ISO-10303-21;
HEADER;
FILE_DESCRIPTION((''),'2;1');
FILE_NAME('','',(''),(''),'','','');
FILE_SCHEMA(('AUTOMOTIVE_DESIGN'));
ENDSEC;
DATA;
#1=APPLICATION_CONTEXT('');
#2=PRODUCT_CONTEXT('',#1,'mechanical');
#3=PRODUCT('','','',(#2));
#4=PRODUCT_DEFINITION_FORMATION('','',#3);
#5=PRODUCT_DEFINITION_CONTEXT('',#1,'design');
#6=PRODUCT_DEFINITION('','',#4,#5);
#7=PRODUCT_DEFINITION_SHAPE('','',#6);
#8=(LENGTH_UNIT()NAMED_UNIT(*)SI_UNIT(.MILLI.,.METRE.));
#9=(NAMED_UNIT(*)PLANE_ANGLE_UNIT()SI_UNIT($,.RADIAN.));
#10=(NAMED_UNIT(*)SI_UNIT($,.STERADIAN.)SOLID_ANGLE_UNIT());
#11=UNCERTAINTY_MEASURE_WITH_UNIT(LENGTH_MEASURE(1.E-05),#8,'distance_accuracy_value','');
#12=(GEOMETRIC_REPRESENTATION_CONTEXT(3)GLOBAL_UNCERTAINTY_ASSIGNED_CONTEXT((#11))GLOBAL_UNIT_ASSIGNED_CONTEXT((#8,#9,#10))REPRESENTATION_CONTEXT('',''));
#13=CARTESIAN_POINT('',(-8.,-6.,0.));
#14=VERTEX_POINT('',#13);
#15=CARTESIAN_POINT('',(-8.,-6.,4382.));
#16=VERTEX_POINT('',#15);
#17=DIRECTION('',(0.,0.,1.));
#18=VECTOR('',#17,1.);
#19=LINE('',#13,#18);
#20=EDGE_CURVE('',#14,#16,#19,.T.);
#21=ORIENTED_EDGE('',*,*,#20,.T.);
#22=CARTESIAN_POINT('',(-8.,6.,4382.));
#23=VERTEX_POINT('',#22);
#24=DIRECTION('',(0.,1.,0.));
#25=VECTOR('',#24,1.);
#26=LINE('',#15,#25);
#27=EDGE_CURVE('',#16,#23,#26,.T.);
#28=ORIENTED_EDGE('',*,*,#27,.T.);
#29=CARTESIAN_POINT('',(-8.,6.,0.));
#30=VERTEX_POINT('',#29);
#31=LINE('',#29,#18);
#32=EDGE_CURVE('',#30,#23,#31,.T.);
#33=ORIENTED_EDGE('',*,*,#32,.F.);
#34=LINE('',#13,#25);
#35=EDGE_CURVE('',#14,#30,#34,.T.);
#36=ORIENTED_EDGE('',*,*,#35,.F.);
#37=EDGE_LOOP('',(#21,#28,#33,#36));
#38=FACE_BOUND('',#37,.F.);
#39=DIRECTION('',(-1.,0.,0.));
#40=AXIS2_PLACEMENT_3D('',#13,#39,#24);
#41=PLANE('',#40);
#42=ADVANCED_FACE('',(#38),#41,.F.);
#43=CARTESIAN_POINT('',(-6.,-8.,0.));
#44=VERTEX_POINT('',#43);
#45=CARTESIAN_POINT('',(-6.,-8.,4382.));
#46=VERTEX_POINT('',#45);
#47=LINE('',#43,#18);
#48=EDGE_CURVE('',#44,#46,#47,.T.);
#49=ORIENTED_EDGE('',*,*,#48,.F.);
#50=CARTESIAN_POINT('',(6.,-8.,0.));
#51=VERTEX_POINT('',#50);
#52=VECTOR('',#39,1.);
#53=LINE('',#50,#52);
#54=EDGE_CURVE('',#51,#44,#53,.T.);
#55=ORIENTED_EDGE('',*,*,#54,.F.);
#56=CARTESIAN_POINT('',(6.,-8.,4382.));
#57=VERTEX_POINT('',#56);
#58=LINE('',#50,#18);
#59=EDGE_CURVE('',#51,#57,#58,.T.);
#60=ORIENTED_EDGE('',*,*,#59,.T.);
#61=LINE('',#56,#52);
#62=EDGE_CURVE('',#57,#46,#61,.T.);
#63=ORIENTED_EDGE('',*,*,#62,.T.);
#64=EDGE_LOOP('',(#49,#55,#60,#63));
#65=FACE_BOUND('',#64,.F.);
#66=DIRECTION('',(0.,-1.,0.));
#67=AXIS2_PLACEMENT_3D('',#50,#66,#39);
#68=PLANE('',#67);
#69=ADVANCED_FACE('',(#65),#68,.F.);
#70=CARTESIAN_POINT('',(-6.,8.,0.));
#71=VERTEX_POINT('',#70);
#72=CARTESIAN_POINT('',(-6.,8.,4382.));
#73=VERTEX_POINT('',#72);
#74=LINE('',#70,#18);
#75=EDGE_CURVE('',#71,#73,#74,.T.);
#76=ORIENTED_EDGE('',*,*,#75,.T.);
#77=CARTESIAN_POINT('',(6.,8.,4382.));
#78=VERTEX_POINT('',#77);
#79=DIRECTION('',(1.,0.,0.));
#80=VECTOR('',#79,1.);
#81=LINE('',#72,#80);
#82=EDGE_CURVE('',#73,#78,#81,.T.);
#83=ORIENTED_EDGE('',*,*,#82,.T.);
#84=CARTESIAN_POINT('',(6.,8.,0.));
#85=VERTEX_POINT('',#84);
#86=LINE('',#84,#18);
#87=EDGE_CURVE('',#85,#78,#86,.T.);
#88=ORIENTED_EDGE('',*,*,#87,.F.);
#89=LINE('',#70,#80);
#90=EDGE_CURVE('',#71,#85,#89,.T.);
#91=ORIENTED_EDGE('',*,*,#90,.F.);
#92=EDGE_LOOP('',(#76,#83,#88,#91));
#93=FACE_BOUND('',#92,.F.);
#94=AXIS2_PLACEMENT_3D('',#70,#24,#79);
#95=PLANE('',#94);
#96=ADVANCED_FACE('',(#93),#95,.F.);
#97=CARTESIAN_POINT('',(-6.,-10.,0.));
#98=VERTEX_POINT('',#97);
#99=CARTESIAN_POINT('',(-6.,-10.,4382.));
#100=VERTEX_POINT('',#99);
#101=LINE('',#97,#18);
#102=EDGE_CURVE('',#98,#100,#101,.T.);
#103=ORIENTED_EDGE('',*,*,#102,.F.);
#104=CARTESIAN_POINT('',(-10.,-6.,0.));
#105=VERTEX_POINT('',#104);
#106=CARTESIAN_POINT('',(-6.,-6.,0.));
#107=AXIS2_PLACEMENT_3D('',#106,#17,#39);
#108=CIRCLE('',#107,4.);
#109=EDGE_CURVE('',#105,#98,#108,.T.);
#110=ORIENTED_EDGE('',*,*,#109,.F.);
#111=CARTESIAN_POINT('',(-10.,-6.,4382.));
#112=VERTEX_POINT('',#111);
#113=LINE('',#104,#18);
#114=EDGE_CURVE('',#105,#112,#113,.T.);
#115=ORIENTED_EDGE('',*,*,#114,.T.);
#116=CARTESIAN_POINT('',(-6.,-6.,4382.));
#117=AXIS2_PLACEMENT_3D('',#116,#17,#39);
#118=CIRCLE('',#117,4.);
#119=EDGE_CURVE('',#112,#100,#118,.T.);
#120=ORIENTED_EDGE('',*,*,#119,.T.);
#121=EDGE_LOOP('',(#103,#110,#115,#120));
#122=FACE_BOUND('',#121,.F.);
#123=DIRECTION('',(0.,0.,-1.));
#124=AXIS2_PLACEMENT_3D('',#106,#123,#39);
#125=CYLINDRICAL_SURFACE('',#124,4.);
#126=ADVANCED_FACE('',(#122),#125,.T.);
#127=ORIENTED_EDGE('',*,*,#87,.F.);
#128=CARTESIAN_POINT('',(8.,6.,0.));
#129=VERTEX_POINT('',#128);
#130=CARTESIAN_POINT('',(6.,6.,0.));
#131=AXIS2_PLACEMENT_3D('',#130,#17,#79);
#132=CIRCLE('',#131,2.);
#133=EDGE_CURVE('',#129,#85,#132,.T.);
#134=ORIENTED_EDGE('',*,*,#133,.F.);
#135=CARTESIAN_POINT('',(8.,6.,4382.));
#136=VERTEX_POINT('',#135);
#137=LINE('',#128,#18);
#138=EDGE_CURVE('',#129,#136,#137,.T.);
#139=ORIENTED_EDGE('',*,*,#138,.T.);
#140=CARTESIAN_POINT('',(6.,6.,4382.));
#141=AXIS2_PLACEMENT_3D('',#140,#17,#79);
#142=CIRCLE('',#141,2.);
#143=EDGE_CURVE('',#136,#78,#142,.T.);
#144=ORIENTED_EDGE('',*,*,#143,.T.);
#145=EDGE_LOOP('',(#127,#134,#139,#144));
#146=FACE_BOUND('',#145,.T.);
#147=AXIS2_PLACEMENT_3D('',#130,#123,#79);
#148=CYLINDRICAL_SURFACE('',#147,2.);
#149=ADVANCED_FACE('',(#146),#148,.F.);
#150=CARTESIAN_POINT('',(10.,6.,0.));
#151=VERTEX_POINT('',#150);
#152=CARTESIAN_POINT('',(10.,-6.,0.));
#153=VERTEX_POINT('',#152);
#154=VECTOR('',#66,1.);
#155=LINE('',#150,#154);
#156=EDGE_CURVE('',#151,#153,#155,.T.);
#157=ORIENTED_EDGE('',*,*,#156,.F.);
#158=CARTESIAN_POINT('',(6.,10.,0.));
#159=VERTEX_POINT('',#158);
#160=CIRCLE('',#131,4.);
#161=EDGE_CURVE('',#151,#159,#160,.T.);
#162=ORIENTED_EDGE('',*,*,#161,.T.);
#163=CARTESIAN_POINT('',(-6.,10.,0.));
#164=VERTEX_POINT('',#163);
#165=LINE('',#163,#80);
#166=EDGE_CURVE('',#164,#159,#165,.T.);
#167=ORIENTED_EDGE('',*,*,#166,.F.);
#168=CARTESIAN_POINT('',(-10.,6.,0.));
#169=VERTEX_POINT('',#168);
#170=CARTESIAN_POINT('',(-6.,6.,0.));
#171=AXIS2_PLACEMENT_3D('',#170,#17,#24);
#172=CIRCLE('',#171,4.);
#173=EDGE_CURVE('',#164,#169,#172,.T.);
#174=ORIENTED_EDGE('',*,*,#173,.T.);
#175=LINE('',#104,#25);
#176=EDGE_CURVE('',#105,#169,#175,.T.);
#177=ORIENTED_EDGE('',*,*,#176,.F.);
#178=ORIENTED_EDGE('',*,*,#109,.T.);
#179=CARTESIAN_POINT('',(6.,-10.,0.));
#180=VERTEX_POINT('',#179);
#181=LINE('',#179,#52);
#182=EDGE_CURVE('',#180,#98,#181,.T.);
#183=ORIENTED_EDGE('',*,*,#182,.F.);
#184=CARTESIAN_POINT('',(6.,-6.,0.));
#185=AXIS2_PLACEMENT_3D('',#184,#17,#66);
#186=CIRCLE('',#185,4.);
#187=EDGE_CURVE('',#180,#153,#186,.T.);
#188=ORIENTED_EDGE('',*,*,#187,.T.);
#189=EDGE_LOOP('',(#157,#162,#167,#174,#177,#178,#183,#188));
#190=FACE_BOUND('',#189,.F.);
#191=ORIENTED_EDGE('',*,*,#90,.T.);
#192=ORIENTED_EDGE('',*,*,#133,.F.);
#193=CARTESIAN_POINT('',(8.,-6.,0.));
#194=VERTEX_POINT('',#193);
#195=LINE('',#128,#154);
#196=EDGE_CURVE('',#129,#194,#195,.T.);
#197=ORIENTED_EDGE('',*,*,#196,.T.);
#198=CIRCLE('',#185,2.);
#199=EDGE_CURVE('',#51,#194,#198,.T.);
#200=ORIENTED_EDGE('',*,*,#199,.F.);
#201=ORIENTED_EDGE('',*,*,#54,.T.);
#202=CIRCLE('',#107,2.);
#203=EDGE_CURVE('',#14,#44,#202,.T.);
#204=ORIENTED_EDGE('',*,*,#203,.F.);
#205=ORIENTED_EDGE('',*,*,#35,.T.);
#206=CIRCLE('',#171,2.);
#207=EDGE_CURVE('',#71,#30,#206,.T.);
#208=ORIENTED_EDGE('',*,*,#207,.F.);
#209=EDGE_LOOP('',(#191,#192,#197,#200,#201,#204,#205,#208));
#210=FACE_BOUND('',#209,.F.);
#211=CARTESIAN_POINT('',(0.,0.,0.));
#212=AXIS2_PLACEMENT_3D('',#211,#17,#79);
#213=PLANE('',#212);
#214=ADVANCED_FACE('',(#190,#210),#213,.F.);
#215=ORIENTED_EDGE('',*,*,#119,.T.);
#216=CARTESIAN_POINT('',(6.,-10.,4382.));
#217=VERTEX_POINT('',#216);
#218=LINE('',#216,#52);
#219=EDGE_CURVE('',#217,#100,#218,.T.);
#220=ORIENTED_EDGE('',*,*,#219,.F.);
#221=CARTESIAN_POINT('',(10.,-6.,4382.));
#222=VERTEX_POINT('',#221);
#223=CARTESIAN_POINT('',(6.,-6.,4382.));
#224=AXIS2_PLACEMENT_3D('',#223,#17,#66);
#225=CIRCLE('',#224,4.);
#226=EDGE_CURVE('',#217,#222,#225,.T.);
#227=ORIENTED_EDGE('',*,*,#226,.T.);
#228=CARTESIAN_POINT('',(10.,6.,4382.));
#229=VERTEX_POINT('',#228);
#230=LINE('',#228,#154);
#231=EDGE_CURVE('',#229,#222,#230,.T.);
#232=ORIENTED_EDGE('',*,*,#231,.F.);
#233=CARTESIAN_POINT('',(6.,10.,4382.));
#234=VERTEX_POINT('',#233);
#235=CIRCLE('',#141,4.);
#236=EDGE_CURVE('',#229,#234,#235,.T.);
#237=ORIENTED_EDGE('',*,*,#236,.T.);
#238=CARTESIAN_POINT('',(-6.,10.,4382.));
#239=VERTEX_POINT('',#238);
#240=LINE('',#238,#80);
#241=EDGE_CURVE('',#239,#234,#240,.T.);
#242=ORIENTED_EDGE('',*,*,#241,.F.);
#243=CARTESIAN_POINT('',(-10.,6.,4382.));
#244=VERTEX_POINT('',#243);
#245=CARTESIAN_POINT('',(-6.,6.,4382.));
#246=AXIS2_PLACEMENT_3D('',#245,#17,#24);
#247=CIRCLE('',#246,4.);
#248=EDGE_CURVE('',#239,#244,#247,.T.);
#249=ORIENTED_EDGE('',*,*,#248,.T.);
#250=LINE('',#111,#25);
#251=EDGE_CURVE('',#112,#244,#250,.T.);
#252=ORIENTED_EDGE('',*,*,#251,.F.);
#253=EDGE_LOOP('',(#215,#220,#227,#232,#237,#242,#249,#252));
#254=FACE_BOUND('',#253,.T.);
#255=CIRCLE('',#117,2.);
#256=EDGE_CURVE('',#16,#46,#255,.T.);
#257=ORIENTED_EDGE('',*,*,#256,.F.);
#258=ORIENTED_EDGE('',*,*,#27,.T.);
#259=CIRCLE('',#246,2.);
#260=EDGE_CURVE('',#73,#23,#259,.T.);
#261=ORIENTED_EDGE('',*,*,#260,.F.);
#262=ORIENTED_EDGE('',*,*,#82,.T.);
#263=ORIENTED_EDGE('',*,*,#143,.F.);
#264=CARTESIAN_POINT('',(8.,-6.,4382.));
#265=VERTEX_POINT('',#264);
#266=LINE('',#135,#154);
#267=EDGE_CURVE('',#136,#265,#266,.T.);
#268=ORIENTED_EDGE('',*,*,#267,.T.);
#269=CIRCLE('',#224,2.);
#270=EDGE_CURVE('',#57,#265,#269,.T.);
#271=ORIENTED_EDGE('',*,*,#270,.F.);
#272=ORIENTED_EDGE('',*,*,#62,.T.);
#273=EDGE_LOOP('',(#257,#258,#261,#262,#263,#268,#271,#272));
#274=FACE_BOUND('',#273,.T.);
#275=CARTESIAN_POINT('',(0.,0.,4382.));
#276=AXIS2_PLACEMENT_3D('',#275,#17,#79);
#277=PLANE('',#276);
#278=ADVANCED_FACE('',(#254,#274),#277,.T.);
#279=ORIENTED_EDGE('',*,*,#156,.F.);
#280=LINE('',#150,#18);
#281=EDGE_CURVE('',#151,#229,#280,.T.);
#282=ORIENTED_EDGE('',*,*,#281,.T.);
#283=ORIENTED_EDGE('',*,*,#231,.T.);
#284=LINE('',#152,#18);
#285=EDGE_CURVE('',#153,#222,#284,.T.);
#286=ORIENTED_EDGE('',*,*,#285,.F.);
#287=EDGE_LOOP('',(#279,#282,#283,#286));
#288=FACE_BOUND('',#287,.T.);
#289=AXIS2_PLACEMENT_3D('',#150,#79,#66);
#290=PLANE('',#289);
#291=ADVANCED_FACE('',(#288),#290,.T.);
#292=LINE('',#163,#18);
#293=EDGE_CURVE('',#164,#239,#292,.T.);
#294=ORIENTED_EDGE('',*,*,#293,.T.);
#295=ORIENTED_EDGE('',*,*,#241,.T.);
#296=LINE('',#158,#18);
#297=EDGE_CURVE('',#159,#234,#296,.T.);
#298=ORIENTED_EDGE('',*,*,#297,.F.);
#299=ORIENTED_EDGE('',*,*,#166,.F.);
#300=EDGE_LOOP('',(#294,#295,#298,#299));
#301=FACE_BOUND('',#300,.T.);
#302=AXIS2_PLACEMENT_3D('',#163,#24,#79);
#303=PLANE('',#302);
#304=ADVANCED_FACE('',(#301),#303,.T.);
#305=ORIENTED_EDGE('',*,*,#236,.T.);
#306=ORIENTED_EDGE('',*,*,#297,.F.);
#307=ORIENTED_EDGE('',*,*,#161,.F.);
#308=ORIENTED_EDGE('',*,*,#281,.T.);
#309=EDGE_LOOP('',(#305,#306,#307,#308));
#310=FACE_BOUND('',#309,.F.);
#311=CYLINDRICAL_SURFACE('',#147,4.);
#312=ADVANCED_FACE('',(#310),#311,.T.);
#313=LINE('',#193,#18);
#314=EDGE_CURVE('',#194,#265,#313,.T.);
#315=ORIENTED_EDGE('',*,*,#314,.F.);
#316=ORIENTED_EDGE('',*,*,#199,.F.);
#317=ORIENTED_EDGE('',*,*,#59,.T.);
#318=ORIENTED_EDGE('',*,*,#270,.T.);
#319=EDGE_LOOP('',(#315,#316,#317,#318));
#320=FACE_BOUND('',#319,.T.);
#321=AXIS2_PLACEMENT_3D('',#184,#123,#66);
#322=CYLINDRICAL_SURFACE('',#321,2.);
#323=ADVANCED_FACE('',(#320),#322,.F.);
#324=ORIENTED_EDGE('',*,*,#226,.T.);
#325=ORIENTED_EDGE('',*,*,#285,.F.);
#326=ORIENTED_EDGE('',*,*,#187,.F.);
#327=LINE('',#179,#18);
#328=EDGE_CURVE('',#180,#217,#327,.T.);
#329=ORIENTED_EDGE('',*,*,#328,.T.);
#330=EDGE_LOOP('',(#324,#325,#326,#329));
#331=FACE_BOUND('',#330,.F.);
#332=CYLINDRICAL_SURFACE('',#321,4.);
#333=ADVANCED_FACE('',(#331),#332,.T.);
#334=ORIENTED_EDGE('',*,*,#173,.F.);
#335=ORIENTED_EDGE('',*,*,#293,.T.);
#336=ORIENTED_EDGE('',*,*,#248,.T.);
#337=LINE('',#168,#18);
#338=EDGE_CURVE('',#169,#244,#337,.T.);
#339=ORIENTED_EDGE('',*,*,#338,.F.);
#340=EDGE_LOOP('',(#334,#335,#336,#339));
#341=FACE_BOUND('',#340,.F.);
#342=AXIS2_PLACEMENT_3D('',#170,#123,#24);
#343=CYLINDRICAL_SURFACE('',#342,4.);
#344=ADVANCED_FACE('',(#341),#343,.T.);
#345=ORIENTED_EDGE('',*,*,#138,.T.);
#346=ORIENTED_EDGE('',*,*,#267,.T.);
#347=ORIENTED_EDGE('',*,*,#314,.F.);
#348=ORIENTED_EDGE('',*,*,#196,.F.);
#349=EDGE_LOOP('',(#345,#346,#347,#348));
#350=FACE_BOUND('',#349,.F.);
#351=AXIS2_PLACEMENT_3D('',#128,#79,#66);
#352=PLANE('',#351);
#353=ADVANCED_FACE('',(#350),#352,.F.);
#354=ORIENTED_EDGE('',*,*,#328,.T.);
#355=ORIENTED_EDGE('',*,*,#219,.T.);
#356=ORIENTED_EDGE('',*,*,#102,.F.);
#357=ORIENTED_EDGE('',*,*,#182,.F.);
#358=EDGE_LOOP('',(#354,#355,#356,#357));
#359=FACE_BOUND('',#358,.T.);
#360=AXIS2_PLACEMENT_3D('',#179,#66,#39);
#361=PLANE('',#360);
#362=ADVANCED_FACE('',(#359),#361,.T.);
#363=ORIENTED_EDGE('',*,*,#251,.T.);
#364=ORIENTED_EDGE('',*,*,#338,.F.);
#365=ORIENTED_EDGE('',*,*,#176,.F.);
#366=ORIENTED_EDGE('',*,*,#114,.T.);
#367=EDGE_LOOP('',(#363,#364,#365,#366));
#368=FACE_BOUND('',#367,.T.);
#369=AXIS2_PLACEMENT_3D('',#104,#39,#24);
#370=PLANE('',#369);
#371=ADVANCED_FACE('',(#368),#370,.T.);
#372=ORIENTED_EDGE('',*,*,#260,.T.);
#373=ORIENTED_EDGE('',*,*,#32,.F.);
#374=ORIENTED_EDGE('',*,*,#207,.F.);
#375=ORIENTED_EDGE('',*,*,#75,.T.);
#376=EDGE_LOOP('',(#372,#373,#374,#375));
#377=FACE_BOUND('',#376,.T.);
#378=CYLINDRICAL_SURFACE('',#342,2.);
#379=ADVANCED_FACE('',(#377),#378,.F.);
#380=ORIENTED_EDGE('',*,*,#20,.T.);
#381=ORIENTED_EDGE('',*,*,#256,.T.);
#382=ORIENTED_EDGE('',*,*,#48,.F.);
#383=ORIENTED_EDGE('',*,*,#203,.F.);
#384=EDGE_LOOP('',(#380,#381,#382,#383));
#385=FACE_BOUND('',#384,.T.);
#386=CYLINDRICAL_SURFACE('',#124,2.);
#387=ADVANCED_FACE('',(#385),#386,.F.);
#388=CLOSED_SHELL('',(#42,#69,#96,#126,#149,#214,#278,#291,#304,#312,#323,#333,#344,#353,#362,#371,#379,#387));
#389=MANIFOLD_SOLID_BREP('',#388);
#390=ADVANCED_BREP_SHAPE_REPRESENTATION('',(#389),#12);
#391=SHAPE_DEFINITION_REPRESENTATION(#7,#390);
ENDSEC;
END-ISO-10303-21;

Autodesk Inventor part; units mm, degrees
ref_plane "YZ Plane" through (0, 0, 0) normal (1, 0, 0) x (0, 1, 0)
ref_plane "Start Plane" through (0, 0, 0) normal (0, 0, 1) x (1, 0, 0)
ref_plane "End Plane" through (0, 0, 4382) normal (0, 0, 1) x (1, 0, 0)
sketch "Sketch" plane through (0, 0, 0) normal (0, 0, 1) x (1, 0, 0)
  line L0 (-10, -6) -> (-10, 6)
  line L1 (-6, 10) -> (6, 10)
  line L2 (10, 6) -> (10, -6)
  line L3 (6, -10) -> (-6, -10)
  arc A0 (-10, -6) -> (-6, -10) centre (-6, -6) ccw
  arc A1 (10, 6) -> (6, 10) centre (6, 6) ccw
  arc A2 (-6, 10) -> (-10, 6) centre (-6, 6) ccw
  arc A3 (6, -10) -> (10, -6) centre (6, -6) ccw
  arc A4 (-6, 8) -> (-8, 6) centre (-6, 6) ccw
  line L4 (-6, 8) -> (6, 8)
  arc A5 (8, 6) -> (6, 8) centre (6, 6) ccw
  line L5 (8, 6) -> (8, -6)
  arc A6 (6, -8) -> (8, -6) centre (6, -6) ccw
  line L6 (6, -8) -> (-6, -8)
  arc A7 (-8, -6) -> (-6, -8) centre (-6, -6) ccw
  line L7 (-8, -6) -> (-8, 6)
  line L8 (0, 15.1598) -> (0, -15.1598) construction
  line L9 (-15.1598, 0) -> (15.1598, 0) construction
  dimension "d7" = 4
  dimension "d9" = 20
  dimension "d11" = 20
  dimension "d12" = 2
  dimension "d15" = 10
  dimension "d16" = 10
extrude "Body" add sketch "Sketch" along normal up to surface (4382 mm away) from surface at 0
sketch "Sketch3" plane through (0, 0, 0) normal (0, 0, 1) x (1, 0, 0)
  line L0 (0, 0) -> (10, 0)
ref_plane "Work Plane3" through (0, 0, 0) normal (0, -1, 0) x (1, 0, 0)
sketch "Sketch4" plane through (0, 0, 0) normal (0, -1, 0) x (1, 0, 0)
  line L0 (-2, 0) -> (12, 0) projected
  line L1 (-2, 4382) -> (12, 4382) projected
  dimension "d18" = 4382
equation "\"d7\" = G_IR"
equation "\"d9\" = G_W"
equation "\"d11\" = G_H"
equation "\"d12\" = G_T"
equation "\"d15\" = 0.5 * d9"
equation "\"d16\" = 0.5 * d11"
equation "\"d3\" = G_L"
equation "\"G_W\" = 20"
equation "\"G_H\" = 20"
equation "\"G_T\" = 2"
equation "\"G_IR\" = 4"
equation "\"G_L\" = d18"
equation "\"G_OFFSET_START\" = 0"
equation "\"G_OFFSET_END\" = 0"
equation "\"d14\" = G_OFFSET_END + B_L"
equation "\"B_L\" = 4382"
properties part number "ISO 10799-2 - 20x20x2 - 4382" material "Steel, Mild"
